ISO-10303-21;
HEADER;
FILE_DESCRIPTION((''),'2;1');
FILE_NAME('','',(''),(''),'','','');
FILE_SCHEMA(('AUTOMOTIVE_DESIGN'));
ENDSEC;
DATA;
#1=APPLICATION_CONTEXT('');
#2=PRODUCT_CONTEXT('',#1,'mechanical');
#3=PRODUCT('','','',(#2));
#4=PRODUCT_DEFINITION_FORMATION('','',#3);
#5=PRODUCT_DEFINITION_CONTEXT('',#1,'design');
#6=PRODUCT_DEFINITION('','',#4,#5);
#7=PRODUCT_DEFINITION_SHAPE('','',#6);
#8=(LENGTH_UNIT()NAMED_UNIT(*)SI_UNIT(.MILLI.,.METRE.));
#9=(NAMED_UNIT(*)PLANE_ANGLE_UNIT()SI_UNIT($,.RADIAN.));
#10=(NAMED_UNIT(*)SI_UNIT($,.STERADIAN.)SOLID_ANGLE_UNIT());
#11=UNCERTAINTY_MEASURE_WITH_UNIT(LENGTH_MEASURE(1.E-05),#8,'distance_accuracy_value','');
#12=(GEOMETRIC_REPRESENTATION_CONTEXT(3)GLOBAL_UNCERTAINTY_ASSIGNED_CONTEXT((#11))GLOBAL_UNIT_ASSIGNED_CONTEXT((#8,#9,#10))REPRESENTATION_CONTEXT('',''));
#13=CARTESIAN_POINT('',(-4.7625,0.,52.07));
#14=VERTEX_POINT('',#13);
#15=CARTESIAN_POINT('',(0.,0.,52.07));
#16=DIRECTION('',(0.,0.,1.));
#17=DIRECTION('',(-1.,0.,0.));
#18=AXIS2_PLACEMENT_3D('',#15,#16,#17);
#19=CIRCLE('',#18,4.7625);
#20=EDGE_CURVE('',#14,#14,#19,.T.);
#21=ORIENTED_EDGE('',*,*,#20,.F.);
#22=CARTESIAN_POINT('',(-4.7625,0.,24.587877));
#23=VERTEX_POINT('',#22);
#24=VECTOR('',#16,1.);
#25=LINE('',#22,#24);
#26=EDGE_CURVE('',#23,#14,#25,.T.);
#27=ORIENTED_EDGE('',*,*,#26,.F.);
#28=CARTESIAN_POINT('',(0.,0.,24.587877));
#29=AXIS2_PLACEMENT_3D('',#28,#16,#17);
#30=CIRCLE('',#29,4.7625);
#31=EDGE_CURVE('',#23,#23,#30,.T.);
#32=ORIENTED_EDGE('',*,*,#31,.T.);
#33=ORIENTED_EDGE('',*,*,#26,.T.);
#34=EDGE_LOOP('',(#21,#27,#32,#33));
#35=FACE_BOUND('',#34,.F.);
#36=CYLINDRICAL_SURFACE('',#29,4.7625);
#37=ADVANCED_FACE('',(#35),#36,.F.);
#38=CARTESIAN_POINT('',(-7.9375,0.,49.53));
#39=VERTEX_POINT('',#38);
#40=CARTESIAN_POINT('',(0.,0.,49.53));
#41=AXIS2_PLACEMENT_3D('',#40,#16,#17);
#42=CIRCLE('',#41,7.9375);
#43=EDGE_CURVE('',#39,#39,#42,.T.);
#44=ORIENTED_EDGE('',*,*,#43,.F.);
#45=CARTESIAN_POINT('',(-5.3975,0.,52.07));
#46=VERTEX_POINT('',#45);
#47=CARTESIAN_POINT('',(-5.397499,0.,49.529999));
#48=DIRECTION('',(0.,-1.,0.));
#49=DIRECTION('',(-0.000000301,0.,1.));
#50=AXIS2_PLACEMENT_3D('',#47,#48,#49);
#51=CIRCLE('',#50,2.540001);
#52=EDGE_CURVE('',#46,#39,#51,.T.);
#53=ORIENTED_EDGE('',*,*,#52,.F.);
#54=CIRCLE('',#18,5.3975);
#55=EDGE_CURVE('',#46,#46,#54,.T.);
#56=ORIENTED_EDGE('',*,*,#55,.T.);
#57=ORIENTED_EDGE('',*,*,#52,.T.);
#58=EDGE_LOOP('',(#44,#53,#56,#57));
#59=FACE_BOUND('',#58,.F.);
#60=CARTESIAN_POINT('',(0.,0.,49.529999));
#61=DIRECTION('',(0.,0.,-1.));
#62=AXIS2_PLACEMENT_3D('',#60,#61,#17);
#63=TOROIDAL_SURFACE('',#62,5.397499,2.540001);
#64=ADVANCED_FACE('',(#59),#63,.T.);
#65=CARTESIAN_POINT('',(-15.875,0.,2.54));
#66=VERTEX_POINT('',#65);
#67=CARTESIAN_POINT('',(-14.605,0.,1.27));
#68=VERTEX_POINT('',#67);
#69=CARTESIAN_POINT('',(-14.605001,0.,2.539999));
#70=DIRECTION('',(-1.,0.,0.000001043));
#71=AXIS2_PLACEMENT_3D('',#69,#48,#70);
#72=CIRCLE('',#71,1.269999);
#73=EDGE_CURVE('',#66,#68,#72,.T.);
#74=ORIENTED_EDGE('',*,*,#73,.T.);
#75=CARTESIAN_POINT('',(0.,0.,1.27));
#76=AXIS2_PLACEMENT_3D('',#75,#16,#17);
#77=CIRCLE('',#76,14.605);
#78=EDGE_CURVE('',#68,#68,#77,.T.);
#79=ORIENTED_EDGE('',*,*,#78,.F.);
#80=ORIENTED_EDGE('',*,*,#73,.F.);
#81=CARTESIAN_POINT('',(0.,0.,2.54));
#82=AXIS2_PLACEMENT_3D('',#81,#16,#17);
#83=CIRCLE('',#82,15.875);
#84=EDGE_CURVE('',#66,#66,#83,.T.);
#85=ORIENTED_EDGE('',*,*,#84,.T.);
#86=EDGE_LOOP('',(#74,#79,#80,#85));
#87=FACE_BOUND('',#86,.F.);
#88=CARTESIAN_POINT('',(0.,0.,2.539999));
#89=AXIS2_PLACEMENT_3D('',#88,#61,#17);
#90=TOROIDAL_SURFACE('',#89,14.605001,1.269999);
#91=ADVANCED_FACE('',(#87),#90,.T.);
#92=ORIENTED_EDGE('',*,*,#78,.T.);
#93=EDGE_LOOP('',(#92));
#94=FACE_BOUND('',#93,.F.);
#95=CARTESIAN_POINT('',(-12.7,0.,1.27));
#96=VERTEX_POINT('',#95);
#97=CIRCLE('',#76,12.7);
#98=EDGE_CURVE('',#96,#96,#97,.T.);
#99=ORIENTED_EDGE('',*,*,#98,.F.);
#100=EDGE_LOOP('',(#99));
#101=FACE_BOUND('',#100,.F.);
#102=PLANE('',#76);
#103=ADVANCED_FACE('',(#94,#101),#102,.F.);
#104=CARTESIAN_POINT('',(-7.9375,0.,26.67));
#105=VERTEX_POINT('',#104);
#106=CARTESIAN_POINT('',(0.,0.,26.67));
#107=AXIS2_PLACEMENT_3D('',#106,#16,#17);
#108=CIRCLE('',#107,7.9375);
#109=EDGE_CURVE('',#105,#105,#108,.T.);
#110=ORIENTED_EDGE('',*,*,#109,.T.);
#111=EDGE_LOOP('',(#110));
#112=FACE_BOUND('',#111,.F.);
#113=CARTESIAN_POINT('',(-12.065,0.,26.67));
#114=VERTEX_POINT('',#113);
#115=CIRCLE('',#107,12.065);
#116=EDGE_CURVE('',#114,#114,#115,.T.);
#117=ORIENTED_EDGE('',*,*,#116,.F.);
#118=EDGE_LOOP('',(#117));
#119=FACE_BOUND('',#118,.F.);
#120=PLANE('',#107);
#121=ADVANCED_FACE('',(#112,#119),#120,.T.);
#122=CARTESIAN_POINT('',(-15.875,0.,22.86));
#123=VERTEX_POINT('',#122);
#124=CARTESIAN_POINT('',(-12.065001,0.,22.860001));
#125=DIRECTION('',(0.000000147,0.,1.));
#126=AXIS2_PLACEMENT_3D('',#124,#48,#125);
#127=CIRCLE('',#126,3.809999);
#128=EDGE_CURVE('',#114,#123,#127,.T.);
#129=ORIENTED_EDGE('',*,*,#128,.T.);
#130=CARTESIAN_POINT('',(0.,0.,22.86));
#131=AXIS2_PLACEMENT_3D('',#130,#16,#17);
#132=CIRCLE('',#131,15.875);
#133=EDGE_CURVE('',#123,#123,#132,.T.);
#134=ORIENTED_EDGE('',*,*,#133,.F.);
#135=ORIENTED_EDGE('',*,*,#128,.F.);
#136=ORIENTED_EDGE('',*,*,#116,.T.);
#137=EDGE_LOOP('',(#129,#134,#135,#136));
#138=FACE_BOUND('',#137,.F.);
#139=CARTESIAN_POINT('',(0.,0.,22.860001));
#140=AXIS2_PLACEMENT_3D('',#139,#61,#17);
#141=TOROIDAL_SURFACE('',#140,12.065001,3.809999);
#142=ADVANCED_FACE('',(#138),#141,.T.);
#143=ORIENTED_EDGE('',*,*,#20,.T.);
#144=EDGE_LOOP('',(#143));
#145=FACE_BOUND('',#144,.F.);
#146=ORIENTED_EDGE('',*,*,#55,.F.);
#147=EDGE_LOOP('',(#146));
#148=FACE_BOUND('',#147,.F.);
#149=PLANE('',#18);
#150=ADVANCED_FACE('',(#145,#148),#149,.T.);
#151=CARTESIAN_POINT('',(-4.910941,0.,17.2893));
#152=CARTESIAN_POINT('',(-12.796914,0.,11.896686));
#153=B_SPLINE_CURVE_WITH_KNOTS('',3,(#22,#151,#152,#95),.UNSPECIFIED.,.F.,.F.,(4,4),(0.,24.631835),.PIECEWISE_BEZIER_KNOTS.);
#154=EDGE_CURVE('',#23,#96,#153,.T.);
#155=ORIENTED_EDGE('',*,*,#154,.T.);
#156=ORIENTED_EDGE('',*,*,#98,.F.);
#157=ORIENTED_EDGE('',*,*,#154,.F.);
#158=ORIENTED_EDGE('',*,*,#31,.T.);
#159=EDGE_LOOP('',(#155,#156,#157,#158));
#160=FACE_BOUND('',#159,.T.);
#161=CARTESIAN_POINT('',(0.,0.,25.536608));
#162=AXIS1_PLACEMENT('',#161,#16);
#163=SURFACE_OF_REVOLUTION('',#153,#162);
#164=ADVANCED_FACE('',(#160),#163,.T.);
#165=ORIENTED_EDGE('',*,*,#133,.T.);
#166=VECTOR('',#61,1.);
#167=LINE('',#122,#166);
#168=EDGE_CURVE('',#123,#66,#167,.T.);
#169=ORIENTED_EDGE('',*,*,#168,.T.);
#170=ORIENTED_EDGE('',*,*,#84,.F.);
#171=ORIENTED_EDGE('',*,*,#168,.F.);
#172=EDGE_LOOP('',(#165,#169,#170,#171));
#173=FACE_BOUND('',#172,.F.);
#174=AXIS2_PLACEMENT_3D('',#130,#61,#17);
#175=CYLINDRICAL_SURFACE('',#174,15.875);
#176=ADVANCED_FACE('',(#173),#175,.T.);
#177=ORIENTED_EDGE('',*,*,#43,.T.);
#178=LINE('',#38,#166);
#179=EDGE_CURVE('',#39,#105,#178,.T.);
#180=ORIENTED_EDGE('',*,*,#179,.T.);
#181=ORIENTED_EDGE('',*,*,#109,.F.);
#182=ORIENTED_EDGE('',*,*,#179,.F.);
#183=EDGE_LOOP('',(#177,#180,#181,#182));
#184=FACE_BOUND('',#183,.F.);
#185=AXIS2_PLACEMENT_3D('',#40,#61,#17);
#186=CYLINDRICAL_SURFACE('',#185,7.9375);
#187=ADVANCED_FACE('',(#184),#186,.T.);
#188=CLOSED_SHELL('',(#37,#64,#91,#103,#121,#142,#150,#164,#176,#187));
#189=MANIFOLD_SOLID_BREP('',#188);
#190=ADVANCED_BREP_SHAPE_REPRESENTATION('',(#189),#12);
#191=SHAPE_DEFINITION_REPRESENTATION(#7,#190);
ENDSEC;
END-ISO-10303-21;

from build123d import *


with BuildPart() as f1:
    # F0 (on Front) → F1 (revolve)
    with BuildSketch(Plane.XZ):
        with BuildLine():
            Line((-15.875, 22.86), (-15.875, 2.54))
            ThreePointArc((-15.875, 2.54), (-15.503026, 1.641974), (-14.605, 1.27))
            Line((-14.605, 1.27), (-12.7, 1.27))
            add(Edge.make_bspline(
                [(-4.7625, 24.587877), (-4.910941, 17.2893), (-12.796914, 11.896686), (-12.7, 1.27)],
                knots=[0, 0, 0, 0, 24.631835, 24.631835, 24.631835, 24.631835], degree=3))
            Line((-4.7625, 24.587877), (-4.7625, 52.07))
            Line((-4.7625, 52.07), (-5.3975, 52.07))
            ThreePointArc((-5.3975, 52.07), (-7.193551, 51.326051), (-7.9375, 49.53))
            Line((-7.9375, 49.53), (-7.9375, 26.67))
            Line((-7.9375, 26.67), (-12.065, 26.67))
            ThreePointArc((-12.065, 26.67), (-14.759077, 25.554077), (-15.875, 22.86))
        make_face()
    revolve(axis=Axis((0, 0, 25.536608), (0, 0, 1)))


solid = f1.part
